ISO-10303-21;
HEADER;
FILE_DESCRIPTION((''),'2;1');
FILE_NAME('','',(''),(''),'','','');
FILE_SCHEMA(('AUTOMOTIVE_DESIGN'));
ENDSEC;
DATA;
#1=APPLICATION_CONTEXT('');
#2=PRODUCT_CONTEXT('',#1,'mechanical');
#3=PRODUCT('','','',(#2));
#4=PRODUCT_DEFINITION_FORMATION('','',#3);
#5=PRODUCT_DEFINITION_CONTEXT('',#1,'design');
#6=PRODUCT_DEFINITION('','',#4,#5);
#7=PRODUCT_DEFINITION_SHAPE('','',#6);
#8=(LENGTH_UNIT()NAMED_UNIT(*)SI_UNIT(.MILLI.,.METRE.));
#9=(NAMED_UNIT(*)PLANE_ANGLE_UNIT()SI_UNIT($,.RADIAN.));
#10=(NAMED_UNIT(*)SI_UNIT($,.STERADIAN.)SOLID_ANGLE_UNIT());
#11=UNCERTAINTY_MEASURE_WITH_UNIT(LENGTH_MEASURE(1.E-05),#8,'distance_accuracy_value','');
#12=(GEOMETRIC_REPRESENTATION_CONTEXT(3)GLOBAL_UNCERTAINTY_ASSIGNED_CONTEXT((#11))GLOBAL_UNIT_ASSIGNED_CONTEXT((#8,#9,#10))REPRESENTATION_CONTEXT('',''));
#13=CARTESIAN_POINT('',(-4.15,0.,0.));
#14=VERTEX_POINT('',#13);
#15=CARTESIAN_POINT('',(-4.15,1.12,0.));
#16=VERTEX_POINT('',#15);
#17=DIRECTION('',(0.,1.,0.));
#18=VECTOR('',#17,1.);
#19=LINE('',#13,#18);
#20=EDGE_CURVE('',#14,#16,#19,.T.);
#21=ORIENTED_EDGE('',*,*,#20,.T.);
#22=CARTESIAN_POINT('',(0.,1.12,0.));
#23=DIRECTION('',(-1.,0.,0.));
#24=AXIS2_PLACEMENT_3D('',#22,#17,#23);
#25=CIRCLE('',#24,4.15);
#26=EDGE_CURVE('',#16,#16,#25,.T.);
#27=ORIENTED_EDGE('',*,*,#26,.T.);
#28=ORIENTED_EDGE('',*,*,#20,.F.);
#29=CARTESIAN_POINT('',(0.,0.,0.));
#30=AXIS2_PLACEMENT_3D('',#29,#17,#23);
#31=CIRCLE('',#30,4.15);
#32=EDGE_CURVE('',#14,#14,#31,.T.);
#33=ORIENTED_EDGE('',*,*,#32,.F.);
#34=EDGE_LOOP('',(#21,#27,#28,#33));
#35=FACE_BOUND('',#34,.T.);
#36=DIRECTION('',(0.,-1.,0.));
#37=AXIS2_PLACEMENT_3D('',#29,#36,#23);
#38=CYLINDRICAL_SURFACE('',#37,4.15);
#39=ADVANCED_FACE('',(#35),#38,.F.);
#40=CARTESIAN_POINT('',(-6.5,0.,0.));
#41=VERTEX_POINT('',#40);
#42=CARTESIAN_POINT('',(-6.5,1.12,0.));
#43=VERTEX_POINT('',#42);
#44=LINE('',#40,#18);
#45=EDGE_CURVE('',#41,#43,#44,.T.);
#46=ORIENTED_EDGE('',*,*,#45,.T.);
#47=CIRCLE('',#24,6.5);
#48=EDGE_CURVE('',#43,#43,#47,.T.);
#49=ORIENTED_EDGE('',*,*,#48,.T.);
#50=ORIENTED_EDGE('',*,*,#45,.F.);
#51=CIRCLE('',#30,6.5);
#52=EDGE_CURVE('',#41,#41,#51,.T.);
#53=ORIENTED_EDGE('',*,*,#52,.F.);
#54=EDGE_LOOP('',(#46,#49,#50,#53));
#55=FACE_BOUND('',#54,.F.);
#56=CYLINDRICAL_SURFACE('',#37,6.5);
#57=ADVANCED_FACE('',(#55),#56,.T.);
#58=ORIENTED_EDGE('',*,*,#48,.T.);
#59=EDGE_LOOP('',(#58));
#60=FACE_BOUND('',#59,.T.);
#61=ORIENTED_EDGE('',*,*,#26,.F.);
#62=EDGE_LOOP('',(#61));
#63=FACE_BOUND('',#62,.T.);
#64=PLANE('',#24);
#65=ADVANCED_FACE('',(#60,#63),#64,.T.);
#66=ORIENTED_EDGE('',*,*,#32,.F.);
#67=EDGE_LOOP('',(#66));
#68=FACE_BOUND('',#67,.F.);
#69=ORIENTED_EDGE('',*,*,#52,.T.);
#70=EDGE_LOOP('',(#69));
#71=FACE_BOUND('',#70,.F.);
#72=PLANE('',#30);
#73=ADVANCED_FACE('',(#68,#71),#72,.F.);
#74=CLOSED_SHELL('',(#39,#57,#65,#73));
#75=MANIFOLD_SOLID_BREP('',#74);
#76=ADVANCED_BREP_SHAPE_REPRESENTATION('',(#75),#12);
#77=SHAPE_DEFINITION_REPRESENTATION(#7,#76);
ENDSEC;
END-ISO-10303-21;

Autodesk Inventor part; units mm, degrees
ref_plane "YZ Plane" through (0, 0, 0) normal (1, 0, 0) x (0, 1, 0)
ref_plane "XZ Plane" through (0, 0, 0) normal (0, 1, 0) x (-1, 0, 0)
ref_plane "XY Plane" through (0, 0, 0) normal (0, 0, 1) x (1, 0, 0)
sketch "Boceto1" plane through (0, 0, 0) normal (0, 1, 0) x (-1, 0, 0)
  circle A0 centre (0, 0) radius 4.15
  circle A1 centre (0, 0) radius 6.5
  dimension "d0" = 8.3
  dimension "d1" = 13
extrude "Extrusión1" add sketch "Boceto1" along normal blind 1.12
properties part number "chip"
